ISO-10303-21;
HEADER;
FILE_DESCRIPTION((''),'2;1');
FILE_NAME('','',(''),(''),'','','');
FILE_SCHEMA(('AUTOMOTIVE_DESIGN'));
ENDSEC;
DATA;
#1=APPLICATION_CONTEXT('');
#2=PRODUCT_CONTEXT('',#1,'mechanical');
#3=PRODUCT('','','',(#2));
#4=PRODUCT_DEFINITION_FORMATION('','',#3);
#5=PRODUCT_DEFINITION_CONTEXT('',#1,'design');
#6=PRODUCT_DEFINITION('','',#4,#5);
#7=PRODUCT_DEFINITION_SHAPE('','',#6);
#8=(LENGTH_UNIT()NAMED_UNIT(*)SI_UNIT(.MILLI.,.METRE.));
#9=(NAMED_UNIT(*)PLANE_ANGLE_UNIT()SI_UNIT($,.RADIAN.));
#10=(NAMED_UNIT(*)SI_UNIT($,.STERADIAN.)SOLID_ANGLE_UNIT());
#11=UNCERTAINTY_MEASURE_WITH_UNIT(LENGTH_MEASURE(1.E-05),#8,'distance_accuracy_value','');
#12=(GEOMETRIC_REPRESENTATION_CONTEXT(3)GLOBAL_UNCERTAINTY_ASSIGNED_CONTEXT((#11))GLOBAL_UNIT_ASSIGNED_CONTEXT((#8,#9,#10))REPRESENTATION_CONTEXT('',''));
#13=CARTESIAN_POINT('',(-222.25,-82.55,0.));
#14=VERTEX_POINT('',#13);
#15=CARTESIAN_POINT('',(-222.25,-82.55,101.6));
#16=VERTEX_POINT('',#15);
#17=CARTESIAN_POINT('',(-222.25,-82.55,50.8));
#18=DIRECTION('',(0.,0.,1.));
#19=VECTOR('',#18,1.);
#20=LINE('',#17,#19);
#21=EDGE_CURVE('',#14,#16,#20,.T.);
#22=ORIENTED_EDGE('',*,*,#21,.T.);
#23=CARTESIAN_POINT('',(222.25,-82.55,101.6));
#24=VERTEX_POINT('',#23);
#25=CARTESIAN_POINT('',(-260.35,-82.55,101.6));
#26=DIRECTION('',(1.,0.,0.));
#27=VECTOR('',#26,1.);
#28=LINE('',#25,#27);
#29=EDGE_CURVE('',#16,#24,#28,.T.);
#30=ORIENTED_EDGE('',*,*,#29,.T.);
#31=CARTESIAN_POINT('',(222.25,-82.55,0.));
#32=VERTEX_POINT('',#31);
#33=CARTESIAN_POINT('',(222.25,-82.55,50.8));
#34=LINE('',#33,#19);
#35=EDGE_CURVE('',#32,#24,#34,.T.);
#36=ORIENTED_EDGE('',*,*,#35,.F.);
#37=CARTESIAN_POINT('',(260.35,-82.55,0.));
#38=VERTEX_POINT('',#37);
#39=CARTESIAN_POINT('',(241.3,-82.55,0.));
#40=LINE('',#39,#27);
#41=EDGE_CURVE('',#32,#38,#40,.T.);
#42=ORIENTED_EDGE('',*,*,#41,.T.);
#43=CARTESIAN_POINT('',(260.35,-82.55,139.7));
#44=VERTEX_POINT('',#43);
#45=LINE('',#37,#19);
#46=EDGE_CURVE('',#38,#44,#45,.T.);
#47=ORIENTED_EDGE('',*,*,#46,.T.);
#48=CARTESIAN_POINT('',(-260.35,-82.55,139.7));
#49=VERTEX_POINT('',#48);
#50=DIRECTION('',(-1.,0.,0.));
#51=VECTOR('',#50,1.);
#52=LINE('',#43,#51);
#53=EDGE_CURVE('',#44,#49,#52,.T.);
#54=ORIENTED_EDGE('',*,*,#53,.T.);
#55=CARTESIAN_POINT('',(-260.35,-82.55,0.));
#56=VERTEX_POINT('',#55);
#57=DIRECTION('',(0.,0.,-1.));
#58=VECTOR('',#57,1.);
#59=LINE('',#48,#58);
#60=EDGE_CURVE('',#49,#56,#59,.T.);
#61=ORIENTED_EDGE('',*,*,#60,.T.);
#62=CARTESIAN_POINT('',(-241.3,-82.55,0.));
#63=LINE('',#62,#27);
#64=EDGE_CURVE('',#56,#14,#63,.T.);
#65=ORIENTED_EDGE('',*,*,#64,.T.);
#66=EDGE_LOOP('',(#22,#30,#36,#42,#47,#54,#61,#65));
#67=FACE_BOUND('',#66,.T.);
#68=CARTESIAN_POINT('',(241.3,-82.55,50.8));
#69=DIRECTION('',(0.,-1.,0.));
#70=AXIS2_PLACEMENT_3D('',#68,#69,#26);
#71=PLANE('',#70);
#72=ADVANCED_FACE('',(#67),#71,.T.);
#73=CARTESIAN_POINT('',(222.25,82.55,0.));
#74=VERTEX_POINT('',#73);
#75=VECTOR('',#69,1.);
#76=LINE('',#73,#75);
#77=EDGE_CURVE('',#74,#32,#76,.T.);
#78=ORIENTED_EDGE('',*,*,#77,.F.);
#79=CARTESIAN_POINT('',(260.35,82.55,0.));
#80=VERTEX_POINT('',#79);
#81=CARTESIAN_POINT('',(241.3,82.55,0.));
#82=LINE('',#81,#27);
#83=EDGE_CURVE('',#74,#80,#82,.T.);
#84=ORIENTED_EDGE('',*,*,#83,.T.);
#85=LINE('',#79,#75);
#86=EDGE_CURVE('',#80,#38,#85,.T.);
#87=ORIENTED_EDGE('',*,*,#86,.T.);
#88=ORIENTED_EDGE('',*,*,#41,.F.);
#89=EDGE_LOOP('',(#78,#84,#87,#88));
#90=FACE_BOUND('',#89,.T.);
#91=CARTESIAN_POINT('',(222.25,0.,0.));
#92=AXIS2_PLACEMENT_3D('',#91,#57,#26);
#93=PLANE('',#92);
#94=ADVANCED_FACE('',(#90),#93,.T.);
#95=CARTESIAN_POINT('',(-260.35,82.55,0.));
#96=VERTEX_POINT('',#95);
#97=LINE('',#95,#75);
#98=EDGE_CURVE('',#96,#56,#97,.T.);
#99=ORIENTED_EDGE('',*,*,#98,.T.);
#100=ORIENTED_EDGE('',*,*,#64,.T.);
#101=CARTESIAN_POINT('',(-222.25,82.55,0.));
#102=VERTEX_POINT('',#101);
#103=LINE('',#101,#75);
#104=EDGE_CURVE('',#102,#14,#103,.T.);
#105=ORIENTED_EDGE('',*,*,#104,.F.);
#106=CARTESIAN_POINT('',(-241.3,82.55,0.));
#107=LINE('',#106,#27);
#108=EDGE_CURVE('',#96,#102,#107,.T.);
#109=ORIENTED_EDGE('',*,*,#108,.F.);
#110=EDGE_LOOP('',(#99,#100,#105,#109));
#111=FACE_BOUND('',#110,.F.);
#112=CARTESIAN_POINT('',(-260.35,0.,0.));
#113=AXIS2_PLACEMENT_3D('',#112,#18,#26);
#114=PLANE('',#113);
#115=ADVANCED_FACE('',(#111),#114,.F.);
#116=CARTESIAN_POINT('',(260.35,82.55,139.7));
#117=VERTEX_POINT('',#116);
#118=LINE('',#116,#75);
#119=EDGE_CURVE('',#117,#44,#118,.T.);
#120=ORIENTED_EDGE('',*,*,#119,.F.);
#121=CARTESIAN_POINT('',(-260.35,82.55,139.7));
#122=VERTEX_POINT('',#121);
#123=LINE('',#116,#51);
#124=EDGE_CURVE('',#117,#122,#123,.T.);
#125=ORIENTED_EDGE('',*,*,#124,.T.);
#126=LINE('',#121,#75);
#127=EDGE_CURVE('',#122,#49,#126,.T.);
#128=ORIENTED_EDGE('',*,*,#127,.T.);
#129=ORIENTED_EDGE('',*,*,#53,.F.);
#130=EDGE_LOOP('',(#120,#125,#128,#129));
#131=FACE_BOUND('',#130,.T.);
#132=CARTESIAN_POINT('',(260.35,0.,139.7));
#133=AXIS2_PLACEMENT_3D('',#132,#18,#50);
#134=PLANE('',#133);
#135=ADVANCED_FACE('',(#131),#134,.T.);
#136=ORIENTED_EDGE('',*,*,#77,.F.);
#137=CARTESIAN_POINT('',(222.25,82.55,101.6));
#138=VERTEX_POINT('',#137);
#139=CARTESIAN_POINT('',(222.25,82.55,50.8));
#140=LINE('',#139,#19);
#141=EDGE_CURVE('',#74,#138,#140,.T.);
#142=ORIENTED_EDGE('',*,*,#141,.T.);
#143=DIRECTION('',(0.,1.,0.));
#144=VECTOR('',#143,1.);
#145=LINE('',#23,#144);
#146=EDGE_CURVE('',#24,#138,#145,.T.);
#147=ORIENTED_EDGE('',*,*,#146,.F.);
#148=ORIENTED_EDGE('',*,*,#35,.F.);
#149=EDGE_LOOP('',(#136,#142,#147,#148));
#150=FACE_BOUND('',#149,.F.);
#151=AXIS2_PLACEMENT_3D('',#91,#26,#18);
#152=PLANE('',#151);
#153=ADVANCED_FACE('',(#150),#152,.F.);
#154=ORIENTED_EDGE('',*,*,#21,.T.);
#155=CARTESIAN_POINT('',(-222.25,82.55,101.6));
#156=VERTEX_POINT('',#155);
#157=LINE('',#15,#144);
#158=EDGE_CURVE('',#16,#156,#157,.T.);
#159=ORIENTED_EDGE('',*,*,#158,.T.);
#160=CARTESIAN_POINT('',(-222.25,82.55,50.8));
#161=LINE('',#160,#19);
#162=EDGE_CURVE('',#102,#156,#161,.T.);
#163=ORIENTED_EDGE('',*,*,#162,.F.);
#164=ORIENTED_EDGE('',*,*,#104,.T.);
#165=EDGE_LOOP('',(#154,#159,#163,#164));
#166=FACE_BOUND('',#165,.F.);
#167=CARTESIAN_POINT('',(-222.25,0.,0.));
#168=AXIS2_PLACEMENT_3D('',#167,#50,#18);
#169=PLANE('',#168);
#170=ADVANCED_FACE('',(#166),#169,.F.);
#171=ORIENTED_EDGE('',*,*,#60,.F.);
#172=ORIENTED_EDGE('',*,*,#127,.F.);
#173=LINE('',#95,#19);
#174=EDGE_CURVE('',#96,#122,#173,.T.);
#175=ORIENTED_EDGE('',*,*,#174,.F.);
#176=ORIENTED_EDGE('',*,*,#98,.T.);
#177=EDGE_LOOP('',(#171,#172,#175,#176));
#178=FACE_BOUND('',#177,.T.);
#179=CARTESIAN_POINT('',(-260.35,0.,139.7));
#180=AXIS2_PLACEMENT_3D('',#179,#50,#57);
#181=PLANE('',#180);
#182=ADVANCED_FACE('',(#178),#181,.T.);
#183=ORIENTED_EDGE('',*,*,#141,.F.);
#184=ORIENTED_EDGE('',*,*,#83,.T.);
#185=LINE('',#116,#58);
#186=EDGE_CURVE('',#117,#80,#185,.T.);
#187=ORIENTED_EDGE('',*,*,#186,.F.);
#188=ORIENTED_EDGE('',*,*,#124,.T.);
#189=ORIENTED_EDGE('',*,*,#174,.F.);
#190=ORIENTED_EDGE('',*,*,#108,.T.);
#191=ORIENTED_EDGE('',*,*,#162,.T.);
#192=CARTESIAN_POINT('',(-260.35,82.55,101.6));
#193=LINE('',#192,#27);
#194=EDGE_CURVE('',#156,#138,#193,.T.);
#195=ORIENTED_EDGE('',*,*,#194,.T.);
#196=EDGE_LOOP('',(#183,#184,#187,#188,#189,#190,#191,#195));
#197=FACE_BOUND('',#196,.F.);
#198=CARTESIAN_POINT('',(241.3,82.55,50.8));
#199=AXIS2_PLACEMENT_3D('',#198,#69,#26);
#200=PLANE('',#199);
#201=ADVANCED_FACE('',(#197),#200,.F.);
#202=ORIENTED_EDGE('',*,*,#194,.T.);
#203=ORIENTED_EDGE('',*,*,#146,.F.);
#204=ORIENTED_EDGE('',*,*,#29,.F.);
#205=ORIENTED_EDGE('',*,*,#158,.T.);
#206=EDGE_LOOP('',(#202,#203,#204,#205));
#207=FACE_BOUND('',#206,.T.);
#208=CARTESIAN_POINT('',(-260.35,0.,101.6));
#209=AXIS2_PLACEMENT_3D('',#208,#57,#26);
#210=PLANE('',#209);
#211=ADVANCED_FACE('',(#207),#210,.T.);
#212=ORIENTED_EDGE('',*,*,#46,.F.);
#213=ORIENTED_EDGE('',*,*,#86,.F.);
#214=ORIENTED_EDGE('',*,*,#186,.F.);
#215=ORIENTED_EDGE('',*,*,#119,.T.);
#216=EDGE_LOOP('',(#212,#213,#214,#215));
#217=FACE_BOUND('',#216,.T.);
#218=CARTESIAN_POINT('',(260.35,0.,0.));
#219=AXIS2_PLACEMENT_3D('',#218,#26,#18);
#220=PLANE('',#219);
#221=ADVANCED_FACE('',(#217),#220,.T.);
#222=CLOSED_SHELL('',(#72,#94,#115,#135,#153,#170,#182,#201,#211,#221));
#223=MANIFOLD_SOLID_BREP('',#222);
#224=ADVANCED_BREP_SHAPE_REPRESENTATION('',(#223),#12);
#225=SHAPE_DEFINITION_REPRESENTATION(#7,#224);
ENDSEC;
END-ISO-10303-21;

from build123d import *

# Parameters (mm, degrees)
F1_DEPTH = 82.55
F0_W     = 38.1
F0_H     = 101.6
F2_DEPTH = 82.55


with BuildPart() as f1:
    # F0 (on Front) → F1 (new body, symmetric)
    with BuildSketch(Plane.XZ):
        Polygon((260.35, 101.6), (260.35, 139.7), (-260.35, 139.7), (-260.35, 101.6), (-222.25, 101.6), (222.25, 101.6), align=None)
    extrude(amount=F1_DEPTH, both=True)

    # F0 (on Front) → F2 (join, symmetric)
    with BuildSketch(Plane.XZ):
        with Locations((-241.3, 50.8)):
            Rectangle(F0_W, F0_H)
        with Locations((241.3, 50.8)):
            Rectangle(F0_W, F0_H)
    extrude(amount=F2_DEPTH, both=True)


solid = f1.part
